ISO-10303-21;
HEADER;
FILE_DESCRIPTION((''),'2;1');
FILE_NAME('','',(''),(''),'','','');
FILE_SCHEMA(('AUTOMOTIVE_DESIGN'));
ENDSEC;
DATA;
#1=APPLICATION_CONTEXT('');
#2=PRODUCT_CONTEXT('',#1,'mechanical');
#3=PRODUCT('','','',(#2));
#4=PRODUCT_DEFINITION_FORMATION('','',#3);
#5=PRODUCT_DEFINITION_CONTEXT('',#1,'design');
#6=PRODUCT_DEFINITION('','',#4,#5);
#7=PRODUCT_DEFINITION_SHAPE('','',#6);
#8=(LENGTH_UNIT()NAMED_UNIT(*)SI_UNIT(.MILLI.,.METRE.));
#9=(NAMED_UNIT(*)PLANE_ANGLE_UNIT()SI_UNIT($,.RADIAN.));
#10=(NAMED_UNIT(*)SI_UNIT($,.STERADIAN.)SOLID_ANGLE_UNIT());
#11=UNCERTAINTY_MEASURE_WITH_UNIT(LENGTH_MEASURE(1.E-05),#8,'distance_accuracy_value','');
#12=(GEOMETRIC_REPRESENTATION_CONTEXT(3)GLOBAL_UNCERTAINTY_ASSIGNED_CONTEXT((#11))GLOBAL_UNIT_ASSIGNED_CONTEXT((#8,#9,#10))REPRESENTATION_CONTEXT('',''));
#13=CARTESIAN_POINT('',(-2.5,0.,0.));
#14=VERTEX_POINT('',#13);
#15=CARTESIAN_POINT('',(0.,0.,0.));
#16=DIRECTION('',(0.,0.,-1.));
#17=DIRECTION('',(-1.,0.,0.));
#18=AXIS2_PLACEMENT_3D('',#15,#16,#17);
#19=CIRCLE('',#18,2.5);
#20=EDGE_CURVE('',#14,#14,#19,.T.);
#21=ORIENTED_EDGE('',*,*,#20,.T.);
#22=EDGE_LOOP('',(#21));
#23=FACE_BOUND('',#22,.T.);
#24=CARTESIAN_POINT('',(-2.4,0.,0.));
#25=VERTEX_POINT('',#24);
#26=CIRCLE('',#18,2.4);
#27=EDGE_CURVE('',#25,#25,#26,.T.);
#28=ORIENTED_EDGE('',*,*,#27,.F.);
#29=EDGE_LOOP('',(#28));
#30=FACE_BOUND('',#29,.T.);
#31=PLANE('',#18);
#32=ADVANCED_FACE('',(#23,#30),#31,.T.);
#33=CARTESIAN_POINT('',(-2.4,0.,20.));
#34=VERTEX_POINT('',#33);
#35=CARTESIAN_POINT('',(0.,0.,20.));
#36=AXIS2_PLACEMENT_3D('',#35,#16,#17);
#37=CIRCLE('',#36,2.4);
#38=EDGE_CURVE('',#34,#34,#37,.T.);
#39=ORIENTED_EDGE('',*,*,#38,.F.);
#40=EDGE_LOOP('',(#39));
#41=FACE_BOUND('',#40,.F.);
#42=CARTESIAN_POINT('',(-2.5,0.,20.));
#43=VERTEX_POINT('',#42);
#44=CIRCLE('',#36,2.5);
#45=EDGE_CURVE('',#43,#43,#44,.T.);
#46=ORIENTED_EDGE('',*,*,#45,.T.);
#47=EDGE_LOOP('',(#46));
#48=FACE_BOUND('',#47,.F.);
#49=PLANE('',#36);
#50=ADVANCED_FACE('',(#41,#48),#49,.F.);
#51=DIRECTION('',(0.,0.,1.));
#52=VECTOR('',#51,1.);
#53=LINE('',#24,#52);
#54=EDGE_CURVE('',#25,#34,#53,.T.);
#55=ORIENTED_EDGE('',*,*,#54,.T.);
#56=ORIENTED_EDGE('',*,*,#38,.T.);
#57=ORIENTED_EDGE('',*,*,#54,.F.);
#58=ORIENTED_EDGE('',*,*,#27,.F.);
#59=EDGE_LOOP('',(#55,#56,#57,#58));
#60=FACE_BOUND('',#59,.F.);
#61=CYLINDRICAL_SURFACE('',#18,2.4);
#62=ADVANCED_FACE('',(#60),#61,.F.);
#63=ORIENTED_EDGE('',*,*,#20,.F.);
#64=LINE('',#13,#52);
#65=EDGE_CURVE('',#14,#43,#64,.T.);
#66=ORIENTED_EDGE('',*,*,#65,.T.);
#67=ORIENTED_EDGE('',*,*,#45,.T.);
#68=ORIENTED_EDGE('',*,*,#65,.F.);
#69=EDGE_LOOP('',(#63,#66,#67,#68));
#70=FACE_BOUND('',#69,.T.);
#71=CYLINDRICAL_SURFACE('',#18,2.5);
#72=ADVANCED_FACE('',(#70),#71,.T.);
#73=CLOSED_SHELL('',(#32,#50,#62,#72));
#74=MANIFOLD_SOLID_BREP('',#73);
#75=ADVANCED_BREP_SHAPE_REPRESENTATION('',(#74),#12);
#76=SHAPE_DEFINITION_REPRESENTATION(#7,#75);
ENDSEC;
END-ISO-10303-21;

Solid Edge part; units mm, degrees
sketch "Sketch1" plane through (0, 0, 0) normal (0, 0, -1) x (-1, 0, 0)
  circle A0 centre (0, 0) radius 2.5
  circle A1 centre (0, 0) radius 2.4
  dimension "D1" = 0.1
extrude "Protrusion1" add sketch "Sketch1" against normal blind 20
properties material "(None)"
